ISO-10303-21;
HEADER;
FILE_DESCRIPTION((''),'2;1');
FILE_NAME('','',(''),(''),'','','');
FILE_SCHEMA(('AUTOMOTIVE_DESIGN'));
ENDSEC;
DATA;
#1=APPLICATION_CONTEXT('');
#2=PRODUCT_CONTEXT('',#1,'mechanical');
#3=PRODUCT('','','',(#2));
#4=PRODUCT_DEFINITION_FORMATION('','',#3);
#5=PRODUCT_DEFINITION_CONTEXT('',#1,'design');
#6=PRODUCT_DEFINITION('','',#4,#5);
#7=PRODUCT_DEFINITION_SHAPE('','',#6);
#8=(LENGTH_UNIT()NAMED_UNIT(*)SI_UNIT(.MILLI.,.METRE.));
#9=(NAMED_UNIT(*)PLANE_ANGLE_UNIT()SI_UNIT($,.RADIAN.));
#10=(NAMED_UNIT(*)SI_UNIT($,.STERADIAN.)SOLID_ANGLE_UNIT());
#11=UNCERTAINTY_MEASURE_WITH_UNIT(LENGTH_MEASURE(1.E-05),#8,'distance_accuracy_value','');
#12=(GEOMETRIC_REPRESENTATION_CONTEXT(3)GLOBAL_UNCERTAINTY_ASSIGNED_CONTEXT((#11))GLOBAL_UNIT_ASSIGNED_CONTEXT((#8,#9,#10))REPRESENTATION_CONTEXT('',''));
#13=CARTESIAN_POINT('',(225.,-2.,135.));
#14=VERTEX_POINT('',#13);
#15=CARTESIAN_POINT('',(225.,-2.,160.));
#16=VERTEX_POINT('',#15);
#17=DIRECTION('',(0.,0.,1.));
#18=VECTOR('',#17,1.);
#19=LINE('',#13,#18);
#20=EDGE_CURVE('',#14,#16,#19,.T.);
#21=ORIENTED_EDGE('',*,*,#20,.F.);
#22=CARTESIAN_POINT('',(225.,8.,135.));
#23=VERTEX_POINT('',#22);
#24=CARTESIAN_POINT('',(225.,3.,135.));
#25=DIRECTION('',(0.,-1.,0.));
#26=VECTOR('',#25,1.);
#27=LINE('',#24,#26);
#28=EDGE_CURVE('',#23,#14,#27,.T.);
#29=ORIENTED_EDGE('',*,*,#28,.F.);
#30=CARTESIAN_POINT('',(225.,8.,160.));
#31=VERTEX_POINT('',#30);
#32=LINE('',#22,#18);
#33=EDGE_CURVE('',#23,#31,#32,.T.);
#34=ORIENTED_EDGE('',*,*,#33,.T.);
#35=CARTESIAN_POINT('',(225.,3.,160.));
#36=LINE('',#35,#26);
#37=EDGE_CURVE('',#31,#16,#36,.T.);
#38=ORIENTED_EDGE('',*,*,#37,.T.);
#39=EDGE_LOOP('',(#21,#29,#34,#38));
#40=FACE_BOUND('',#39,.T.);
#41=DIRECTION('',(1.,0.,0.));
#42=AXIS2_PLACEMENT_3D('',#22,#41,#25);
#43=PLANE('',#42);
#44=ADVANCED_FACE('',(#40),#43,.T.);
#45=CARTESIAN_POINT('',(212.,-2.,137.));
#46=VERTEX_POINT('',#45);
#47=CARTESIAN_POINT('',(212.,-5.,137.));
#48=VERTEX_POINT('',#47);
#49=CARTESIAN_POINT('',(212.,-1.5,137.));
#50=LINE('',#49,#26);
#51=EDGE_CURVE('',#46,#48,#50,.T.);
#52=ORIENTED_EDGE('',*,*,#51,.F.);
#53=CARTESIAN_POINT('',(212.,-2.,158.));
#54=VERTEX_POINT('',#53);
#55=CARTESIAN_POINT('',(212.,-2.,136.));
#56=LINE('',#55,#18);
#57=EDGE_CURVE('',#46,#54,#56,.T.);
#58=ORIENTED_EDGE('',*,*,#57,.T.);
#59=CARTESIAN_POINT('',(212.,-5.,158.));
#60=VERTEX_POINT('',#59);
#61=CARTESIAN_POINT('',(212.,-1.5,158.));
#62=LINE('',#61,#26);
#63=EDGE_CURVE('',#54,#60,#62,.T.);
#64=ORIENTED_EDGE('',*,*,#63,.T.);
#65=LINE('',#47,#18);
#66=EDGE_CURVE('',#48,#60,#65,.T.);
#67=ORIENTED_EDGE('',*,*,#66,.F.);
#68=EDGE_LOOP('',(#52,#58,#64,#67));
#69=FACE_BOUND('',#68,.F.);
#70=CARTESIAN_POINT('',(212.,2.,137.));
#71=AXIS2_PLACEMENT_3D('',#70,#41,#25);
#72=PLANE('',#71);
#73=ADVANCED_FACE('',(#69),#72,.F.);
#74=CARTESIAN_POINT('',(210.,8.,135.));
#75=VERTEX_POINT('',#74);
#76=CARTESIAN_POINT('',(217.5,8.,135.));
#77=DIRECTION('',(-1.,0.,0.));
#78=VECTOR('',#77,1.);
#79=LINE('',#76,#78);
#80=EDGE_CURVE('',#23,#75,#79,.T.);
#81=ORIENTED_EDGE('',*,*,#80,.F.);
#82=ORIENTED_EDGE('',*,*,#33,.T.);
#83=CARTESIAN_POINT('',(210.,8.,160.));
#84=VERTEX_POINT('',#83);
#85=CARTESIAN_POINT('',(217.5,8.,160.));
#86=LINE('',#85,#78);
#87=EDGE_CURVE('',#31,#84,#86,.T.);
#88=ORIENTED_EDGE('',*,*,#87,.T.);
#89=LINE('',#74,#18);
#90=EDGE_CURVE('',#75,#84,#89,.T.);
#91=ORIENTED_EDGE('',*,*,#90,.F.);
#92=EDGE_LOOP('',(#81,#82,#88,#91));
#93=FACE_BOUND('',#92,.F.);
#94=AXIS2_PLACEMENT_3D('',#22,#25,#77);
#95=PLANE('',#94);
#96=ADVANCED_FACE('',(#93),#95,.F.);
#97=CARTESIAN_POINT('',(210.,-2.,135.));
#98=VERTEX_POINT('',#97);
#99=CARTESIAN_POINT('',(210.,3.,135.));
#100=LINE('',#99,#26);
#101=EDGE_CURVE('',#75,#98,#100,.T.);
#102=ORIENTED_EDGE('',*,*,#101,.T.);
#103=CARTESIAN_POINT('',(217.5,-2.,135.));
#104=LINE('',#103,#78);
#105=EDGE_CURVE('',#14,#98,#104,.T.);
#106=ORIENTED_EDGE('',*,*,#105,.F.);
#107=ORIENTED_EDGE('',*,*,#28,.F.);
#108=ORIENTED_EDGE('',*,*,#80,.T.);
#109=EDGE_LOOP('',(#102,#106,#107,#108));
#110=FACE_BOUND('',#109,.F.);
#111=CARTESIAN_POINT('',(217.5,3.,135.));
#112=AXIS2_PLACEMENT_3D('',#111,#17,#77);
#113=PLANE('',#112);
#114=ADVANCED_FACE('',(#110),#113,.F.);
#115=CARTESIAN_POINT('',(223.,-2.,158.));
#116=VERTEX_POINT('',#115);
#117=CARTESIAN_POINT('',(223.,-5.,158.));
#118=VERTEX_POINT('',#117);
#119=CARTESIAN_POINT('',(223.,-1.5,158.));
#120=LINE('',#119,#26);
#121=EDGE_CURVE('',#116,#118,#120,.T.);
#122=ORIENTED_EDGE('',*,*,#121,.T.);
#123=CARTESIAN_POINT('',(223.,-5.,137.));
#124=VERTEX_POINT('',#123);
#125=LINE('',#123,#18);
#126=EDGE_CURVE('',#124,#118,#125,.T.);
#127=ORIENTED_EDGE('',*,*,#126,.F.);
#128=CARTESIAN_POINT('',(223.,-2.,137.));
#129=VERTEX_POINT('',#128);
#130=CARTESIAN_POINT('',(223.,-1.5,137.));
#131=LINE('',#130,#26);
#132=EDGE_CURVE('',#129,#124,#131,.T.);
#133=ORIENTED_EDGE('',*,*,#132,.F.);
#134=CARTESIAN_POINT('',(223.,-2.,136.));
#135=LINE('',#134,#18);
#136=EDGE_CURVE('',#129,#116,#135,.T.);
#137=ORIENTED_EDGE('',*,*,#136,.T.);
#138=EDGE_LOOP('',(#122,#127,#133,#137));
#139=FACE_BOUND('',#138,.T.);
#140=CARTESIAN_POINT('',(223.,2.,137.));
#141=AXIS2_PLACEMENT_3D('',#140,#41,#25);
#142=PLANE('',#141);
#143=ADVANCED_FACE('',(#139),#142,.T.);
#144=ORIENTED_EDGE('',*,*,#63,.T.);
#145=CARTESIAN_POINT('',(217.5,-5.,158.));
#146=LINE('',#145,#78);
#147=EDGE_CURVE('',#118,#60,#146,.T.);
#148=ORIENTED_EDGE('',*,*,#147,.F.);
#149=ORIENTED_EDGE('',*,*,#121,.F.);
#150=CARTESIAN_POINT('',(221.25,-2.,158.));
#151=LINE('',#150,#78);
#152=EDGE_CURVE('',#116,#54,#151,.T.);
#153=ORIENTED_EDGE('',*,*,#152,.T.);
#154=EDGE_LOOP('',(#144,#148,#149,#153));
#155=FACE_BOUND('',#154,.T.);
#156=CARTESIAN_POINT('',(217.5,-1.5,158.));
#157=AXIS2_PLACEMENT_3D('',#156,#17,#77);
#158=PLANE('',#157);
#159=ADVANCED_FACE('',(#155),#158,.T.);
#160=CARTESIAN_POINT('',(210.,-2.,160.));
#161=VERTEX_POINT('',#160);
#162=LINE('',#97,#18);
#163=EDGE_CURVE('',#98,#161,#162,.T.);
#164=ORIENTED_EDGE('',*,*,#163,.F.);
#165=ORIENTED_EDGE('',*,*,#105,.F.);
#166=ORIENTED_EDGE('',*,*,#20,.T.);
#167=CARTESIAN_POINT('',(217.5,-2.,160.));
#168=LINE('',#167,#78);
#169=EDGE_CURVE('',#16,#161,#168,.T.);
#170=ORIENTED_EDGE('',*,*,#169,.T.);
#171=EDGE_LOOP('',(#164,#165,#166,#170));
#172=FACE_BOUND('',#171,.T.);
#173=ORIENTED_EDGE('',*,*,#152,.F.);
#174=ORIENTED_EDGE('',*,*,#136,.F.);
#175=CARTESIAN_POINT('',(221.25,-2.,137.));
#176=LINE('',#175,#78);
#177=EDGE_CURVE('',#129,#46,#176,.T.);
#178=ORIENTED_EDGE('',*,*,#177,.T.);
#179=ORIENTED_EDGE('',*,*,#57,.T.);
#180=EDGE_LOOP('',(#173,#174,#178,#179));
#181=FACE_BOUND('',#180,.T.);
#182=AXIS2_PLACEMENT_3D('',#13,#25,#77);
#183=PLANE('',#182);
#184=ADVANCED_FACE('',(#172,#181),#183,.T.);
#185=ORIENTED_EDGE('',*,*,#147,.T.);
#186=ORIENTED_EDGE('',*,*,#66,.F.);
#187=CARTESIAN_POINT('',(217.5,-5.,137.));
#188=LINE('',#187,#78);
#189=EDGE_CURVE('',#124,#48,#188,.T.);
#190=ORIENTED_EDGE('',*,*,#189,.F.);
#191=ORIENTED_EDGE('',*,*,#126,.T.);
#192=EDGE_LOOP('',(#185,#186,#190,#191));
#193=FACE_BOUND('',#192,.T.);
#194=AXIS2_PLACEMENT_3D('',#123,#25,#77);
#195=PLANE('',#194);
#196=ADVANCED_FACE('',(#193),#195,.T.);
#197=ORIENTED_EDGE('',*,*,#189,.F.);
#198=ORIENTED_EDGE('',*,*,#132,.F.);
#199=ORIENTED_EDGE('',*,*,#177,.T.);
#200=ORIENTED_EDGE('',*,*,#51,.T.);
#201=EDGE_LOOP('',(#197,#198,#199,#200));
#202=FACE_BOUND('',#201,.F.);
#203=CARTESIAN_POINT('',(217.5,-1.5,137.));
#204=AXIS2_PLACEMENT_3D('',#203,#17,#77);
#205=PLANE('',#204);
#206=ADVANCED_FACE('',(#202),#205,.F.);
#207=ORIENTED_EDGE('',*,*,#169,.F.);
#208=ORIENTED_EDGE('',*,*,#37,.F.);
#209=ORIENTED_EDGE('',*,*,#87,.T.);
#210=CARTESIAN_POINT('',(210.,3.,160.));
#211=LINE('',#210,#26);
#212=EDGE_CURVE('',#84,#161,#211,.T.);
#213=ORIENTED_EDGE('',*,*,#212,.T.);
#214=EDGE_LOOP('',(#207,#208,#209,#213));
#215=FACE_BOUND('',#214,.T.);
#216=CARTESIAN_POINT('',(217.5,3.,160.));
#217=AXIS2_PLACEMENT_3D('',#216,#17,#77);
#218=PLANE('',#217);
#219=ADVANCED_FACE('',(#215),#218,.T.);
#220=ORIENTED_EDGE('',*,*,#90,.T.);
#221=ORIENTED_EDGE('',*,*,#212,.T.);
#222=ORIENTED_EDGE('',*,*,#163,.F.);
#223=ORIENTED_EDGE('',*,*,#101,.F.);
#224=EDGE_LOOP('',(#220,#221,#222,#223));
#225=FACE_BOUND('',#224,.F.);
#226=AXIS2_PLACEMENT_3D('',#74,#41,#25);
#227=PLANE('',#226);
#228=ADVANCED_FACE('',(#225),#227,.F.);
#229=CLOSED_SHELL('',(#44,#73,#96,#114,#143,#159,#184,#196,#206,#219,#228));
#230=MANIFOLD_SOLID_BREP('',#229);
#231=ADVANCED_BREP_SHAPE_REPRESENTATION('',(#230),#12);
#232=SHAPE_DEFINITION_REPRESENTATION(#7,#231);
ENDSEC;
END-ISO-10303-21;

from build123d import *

# Parameters (mm, degrees)
BOX023_W                  = 11
BOX023_H                  = 7
BOX023_DEPTH              = 21
BOX022_W                  = 15
BOX022_H                  = 10
BOX022_DEPTH              = 25
FUSION004_PLACEMENT_ANGLE = 180


with BuildPart() as box023:
    # Box023 → Box023 (new body)
    with BuildSketch(Plane(origin=(227, 236, 227), x_dir=(1, 0, 0), z_dir=(0, 0, 1))):
        with Locations((5.5, 3.5)):
            Rectangle(BOX023_W, BOX023_H)
    extrude(amount=BOX023_DEPTH)


with BuildPart() as dc_plug_switch:
    # Box022 → Box022 (new body)
    with BuildSketch(Plane(origin=(225, 230, 225), x_dir=(1, 0, 0), z_dir=(0, 0, 1))):
        with Locations((7.5, 5)):
            Rectangle(BOX022_W, BOX022_H)
    extrude(amount=BOX022_DEPTH)

    # Fusion004: union Box023
    add(box023.part)


with BuildPart() as dc_plug_switch_1:
    # Fusion004 placement: moved
    add(dc_plug_switch.part.moved(Location((450, 238, -90))).rotate(Axis((450, 238, -90), (0, 0, 1)), FUSION004_PLACEMENT_ANGLE))


solid = dc_plug_switch_1.part
